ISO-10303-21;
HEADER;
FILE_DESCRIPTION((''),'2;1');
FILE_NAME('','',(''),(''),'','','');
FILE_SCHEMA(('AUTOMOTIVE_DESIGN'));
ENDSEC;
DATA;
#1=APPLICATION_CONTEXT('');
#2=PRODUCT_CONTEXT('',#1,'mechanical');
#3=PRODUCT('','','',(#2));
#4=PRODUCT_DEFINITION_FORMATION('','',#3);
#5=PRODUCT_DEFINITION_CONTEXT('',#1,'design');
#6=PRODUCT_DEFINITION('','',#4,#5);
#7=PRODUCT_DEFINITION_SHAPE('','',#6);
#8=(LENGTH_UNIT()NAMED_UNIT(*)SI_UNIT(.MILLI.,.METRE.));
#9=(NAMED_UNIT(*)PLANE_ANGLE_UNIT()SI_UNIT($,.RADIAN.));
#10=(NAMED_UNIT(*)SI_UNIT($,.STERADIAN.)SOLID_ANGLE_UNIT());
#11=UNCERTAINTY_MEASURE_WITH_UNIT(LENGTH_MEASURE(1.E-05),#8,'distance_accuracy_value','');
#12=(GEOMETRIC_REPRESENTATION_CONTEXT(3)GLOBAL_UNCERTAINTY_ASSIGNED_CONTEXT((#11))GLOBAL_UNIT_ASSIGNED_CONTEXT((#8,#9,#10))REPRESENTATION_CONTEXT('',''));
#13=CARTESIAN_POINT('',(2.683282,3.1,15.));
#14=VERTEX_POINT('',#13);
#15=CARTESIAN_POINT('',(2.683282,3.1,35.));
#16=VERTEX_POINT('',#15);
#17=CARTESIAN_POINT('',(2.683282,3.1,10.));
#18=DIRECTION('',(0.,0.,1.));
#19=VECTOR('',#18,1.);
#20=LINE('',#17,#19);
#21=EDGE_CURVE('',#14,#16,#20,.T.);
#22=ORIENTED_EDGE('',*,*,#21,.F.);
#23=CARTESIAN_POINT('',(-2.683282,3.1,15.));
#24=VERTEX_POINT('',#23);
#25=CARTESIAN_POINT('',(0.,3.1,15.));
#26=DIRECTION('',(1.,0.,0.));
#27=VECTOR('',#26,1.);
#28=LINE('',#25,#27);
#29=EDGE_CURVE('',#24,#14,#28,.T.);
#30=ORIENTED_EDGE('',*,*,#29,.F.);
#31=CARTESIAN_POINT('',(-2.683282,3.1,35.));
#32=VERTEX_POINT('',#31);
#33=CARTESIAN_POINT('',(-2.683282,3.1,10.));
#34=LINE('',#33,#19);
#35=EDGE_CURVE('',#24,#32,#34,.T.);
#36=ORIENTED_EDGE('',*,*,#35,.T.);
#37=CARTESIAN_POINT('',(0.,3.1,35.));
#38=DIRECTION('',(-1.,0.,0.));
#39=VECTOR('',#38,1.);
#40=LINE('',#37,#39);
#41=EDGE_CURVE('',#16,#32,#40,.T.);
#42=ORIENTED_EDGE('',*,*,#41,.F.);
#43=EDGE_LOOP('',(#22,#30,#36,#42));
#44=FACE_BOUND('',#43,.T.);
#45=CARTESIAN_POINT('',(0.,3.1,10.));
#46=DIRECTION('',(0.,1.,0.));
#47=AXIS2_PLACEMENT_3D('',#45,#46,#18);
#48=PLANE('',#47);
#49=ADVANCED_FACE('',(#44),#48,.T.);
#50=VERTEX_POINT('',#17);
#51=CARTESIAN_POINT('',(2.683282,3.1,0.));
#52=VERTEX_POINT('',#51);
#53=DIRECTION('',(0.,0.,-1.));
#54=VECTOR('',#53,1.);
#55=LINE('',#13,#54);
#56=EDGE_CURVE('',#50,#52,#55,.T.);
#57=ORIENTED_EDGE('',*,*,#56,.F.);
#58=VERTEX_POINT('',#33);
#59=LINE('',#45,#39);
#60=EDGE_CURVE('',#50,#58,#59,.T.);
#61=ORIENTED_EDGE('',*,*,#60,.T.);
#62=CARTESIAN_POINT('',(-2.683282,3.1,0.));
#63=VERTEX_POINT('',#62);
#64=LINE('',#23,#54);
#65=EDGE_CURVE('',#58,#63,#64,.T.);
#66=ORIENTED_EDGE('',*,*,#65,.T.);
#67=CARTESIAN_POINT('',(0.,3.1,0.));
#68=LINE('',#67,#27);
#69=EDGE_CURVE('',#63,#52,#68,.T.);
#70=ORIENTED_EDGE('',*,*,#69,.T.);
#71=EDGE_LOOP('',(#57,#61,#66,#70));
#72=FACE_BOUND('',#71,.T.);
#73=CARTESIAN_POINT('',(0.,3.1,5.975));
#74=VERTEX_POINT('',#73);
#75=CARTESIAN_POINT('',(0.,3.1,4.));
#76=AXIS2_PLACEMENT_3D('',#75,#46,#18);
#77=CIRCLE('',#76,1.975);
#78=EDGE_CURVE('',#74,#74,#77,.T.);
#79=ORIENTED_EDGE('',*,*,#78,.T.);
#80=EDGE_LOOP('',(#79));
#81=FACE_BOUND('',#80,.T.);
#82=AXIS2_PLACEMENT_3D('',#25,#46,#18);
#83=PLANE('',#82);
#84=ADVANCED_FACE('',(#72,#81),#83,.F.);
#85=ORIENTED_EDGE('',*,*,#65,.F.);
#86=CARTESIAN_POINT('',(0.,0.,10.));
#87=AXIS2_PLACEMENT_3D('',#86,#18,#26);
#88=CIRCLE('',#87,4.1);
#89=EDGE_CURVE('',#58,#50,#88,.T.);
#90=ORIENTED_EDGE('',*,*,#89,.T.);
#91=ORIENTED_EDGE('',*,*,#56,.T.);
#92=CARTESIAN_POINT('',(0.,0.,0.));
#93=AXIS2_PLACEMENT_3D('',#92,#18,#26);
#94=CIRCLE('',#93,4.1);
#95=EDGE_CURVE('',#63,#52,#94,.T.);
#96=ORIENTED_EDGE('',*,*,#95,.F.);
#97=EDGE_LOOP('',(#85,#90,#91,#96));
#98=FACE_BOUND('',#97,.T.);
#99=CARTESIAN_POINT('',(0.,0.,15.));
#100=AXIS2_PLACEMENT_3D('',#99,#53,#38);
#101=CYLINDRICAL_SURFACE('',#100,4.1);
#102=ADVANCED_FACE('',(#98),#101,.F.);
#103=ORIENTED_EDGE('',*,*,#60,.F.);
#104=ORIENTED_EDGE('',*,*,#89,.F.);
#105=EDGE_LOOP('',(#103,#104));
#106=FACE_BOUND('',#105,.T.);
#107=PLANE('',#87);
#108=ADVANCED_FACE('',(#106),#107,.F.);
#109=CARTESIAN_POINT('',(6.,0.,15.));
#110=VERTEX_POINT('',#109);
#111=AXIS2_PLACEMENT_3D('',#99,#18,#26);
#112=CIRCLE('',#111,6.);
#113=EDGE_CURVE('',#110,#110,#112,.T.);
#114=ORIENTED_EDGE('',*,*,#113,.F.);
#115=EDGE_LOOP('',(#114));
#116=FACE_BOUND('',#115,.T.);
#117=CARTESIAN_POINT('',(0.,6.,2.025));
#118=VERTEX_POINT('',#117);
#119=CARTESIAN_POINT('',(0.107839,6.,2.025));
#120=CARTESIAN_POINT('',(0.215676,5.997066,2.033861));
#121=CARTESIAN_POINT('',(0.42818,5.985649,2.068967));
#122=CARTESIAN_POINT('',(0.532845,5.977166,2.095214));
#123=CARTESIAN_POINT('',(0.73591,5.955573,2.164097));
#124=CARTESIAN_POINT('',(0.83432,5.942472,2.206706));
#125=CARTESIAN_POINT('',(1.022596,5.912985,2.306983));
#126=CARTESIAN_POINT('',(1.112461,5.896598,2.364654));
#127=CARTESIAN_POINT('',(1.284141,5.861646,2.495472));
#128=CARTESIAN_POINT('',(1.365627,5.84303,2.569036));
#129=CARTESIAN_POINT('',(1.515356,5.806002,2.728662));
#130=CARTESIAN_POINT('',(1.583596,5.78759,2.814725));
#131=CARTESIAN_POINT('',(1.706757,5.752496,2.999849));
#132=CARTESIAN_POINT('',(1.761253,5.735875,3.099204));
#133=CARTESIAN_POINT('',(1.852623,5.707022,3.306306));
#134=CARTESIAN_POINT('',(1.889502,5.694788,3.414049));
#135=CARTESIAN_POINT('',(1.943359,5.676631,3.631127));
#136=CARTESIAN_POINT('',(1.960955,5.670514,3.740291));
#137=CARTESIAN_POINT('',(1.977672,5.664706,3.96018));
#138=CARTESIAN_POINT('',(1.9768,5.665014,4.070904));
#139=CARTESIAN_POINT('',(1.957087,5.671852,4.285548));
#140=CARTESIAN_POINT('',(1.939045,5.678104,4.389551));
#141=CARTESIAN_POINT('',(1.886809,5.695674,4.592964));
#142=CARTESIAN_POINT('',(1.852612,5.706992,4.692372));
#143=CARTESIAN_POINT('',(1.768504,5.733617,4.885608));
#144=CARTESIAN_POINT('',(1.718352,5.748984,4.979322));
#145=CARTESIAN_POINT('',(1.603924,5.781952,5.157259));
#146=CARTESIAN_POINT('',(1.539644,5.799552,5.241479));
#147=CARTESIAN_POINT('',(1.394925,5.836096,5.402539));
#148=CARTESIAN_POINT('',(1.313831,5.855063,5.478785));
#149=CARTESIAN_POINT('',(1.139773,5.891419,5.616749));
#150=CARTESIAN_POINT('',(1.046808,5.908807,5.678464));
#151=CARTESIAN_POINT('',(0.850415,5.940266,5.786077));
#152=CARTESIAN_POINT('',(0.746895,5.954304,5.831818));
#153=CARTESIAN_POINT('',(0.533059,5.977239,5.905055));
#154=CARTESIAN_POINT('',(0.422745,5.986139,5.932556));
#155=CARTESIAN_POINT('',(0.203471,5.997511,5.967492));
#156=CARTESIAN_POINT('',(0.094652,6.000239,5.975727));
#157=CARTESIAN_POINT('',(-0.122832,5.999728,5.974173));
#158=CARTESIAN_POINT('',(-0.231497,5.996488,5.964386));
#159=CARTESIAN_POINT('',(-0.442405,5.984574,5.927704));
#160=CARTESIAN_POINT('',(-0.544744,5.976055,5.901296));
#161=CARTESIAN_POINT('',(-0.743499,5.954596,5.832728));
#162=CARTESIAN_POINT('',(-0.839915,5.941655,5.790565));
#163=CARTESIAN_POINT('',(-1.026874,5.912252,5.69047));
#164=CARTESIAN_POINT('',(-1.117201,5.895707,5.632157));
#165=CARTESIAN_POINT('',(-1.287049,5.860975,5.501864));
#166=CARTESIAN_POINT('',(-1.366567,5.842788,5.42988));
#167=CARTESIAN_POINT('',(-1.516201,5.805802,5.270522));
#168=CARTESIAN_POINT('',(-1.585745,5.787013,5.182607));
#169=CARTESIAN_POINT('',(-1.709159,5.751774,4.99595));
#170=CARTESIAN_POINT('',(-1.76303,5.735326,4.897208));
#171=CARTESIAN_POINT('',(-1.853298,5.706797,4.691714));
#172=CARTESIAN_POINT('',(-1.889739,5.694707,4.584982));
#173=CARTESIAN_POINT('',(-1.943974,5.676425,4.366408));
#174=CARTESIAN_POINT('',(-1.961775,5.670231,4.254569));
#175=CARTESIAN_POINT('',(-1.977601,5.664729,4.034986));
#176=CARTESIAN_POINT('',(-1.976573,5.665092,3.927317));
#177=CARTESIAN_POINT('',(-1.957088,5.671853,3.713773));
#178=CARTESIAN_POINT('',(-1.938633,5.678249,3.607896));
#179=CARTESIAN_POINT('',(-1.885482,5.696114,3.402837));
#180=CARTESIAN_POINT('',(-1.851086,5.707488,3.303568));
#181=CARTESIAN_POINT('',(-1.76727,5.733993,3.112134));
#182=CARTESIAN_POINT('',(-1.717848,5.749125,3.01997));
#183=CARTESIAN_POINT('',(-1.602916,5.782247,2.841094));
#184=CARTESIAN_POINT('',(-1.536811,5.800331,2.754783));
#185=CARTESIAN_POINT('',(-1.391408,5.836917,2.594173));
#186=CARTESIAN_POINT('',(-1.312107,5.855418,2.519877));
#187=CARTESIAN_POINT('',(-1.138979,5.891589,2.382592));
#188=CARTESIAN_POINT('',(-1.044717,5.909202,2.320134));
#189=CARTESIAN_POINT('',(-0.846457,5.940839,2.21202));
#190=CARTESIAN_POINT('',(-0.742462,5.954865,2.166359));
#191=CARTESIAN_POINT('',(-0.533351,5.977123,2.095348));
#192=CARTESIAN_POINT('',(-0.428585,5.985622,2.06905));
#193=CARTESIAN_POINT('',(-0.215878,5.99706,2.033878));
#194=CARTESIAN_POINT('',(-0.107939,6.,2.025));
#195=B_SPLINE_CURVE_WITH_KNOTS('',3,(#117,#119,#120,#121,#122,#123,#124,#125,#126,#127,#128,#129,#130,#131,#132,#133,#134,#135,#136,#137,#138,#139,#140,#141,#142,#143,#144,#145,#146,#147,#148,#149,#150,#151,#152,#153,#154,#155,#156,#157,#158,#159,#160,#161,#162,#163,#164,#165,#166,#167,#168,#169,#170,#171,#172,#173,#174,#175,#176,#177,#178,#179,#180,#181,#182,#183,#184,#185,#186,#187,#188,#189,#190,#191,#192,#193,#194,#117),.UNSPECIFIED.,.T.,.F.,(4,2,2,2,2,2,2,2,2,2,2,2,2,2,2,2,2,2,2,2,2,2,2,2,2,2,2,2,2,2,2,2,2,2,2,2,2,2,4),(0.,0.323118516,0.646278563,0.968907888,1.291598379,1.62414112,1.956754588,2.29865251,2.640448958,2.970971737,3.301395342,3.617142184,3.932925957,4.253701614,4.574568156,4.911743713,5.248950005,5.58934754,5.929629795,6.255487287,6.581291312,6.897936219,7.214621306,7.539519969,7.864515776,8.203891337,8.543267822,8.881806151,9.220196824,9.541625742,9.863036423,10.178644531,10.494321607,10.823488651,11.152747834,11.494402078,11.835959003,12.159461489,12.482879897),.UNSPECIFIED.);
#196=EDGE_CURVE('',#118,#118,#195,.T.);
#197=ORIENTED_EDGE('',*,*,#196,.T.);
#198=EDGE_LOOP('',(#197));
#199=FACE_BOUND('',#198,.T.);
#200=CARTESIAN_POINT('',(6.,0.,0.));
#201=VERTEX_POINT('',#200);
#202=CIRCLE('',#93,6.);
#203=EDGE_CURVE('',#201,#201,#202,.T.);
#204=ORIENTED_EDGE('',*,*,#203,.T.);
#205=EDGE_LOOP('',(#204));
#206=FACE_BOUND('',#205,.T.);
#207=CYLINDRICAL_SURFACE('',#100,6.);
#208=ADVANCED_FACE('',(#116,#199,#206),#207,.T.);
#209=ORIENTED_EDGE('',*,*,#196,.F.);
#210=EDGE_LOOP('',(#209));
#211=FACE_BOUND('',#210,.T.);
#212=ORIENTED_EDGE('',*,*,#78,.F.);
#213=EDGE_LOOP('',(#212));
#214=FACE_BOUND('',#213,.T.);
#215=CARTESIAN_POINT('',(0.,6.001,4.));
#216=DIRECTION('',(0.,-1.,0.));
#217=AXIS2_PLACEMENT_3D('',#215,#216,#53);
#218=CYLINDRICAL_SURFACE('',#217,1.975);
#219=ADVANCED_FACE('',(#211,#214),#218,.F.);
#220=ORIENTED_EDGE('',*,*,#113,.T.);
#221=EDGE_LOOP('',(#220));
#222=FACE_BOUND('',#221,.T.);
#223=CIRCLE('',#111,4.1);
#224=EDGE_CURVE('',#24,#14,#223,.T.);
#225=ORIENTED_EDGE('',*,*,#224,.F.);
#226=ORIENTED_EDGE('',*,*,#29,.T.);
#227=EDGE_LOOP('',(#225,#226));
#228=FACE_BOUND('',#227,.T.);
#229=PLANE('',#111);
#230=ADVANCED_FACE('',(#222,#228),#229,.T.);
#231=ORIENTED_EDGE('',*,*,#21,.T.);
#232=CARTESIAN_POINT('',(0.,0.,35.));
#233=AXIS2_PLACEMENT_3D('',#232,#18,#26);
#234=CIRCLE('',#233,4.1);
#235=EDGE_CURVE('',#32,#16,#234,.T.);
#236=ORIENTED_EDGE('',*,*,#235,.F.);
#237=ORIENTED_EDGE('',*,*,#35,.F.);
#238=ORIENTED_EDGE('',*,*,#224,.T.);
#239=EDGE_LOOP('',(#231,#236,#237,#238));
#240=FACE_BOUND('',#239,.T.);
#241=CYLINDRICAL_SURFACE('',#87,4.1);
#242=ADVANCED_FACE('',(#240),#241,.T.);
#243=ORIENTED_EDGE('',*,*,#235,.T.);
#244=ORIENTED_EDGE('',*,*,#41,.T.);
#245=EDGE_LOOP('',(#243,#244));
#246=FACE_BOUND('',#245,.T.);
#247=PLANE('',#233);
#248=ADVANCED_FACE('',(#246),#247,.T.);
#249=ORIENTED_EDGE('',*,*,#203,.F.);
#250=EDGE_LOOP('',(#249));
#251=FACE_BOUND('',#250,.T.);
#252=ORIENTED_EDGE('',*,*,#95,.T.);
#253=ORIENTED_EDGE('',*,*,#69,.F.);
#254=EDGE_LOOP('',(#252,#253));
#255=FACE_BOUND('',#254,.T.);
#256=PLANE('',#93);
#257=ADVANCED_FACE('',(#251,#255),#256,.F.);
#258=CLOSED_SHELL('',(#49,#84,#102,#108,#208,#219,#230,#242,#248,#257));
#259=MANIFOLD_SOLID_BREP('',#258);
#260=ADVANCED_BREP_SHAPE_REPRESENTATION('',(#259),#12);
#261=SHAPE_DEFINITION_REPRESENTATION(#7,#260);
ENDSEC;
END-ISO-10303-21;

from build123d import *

# Parameters (mm, degrees)
SKETCH1_R                = 6
BOSS_EXTRUDE1_DEPTH      = 15
BOSS_EXTRUDE2_DEPTH      = 20
BOSS_EXTRUDE2_DEPTH_BACK = 5
BOSS_EXTRUDE2_START      = 15
CUT_EXTRUDE1_REACH       = 38.014
CUT_EXTRUDE1_END_RADIUS  = 6
SKETCH3_R                = 1.975


with BuildPart() as part:
    # Sketch1 → Boss-Extrude1 (new body)
    with BuildSketch(Plane.XY):
        Circle(SKETCH1_R)
        with BuildLine():
            Line((-2.683281573, 3.1), (2.683281573, 3.1))
            ThreePointArc((2.683281573, 3.1), (0, -4.1), (-2.683281573, 3.1))
        make_face(mode=Mode.SUBTRACT)
    extrude(amount=BOSS_EXTRUDE1_DEPTH)

    # Sketch1<3> → Boss-Extrude2 (add, two sides: drawn at the far end of the back side and taken through both)
    with BuildSketch(Plane.XY.offset(BOSS_EXTRUDE2_START - BOSS_EXTRUDE2_DEPTH_BACK)):
        with BuildLine():
            Line((2.683281573, 3.1), (-2.683281573, 3.1))
            ThreePointArc((-2.683281573, 3.1), (-1.704192705, -3.729038378), (4.1, 0))
            ThreePointArc((4.1, 0), (3.729038378, 1.704192705), (2.683281573, 3.1))
        make_face()
    extrude(amount=BOSS_EXTRUDE2_DEPTH + BOSS_EXTRUDE2_DEPTH_BACK)

    # Cut-Extrude1: up to this cylinder (the profile starts inside it)
    cut_extrude1_end = Plane(origin=(0, 0, 4), z_dir=(0, 0, -1)) * Cylinder(CUT_EXTRUDE1_END_RADIUS, 89.028, mode=Mode.PRIVATE)
    # Sketch3 → Cut-Extrude1 (cut, up to the surface)
    with BuildSketch(Plane(origin=(0, 0, 0), x_dir=(1, 0, 0), z_dir=(0, 1, 0)), mode=Mode.PRIVATE) as cut_extrude1_sk1:
        with Locations(Location((0, -4, 0), (0, 0, 90))):
            Circle(SKETCH3_R)
    cut_extrude1_tool1 = extrude(cut_extrude1_sk1.sketch, amount=CUT_EXTRUDE1_REACH, mode=Mode.PRIVATE) & cut_extrude1_end
    add(cut_extrude1_tool1.solids().sort_by_distance((0, 0, 4))[0], mode=Mode.SUBTRACT)


solid = part.part
